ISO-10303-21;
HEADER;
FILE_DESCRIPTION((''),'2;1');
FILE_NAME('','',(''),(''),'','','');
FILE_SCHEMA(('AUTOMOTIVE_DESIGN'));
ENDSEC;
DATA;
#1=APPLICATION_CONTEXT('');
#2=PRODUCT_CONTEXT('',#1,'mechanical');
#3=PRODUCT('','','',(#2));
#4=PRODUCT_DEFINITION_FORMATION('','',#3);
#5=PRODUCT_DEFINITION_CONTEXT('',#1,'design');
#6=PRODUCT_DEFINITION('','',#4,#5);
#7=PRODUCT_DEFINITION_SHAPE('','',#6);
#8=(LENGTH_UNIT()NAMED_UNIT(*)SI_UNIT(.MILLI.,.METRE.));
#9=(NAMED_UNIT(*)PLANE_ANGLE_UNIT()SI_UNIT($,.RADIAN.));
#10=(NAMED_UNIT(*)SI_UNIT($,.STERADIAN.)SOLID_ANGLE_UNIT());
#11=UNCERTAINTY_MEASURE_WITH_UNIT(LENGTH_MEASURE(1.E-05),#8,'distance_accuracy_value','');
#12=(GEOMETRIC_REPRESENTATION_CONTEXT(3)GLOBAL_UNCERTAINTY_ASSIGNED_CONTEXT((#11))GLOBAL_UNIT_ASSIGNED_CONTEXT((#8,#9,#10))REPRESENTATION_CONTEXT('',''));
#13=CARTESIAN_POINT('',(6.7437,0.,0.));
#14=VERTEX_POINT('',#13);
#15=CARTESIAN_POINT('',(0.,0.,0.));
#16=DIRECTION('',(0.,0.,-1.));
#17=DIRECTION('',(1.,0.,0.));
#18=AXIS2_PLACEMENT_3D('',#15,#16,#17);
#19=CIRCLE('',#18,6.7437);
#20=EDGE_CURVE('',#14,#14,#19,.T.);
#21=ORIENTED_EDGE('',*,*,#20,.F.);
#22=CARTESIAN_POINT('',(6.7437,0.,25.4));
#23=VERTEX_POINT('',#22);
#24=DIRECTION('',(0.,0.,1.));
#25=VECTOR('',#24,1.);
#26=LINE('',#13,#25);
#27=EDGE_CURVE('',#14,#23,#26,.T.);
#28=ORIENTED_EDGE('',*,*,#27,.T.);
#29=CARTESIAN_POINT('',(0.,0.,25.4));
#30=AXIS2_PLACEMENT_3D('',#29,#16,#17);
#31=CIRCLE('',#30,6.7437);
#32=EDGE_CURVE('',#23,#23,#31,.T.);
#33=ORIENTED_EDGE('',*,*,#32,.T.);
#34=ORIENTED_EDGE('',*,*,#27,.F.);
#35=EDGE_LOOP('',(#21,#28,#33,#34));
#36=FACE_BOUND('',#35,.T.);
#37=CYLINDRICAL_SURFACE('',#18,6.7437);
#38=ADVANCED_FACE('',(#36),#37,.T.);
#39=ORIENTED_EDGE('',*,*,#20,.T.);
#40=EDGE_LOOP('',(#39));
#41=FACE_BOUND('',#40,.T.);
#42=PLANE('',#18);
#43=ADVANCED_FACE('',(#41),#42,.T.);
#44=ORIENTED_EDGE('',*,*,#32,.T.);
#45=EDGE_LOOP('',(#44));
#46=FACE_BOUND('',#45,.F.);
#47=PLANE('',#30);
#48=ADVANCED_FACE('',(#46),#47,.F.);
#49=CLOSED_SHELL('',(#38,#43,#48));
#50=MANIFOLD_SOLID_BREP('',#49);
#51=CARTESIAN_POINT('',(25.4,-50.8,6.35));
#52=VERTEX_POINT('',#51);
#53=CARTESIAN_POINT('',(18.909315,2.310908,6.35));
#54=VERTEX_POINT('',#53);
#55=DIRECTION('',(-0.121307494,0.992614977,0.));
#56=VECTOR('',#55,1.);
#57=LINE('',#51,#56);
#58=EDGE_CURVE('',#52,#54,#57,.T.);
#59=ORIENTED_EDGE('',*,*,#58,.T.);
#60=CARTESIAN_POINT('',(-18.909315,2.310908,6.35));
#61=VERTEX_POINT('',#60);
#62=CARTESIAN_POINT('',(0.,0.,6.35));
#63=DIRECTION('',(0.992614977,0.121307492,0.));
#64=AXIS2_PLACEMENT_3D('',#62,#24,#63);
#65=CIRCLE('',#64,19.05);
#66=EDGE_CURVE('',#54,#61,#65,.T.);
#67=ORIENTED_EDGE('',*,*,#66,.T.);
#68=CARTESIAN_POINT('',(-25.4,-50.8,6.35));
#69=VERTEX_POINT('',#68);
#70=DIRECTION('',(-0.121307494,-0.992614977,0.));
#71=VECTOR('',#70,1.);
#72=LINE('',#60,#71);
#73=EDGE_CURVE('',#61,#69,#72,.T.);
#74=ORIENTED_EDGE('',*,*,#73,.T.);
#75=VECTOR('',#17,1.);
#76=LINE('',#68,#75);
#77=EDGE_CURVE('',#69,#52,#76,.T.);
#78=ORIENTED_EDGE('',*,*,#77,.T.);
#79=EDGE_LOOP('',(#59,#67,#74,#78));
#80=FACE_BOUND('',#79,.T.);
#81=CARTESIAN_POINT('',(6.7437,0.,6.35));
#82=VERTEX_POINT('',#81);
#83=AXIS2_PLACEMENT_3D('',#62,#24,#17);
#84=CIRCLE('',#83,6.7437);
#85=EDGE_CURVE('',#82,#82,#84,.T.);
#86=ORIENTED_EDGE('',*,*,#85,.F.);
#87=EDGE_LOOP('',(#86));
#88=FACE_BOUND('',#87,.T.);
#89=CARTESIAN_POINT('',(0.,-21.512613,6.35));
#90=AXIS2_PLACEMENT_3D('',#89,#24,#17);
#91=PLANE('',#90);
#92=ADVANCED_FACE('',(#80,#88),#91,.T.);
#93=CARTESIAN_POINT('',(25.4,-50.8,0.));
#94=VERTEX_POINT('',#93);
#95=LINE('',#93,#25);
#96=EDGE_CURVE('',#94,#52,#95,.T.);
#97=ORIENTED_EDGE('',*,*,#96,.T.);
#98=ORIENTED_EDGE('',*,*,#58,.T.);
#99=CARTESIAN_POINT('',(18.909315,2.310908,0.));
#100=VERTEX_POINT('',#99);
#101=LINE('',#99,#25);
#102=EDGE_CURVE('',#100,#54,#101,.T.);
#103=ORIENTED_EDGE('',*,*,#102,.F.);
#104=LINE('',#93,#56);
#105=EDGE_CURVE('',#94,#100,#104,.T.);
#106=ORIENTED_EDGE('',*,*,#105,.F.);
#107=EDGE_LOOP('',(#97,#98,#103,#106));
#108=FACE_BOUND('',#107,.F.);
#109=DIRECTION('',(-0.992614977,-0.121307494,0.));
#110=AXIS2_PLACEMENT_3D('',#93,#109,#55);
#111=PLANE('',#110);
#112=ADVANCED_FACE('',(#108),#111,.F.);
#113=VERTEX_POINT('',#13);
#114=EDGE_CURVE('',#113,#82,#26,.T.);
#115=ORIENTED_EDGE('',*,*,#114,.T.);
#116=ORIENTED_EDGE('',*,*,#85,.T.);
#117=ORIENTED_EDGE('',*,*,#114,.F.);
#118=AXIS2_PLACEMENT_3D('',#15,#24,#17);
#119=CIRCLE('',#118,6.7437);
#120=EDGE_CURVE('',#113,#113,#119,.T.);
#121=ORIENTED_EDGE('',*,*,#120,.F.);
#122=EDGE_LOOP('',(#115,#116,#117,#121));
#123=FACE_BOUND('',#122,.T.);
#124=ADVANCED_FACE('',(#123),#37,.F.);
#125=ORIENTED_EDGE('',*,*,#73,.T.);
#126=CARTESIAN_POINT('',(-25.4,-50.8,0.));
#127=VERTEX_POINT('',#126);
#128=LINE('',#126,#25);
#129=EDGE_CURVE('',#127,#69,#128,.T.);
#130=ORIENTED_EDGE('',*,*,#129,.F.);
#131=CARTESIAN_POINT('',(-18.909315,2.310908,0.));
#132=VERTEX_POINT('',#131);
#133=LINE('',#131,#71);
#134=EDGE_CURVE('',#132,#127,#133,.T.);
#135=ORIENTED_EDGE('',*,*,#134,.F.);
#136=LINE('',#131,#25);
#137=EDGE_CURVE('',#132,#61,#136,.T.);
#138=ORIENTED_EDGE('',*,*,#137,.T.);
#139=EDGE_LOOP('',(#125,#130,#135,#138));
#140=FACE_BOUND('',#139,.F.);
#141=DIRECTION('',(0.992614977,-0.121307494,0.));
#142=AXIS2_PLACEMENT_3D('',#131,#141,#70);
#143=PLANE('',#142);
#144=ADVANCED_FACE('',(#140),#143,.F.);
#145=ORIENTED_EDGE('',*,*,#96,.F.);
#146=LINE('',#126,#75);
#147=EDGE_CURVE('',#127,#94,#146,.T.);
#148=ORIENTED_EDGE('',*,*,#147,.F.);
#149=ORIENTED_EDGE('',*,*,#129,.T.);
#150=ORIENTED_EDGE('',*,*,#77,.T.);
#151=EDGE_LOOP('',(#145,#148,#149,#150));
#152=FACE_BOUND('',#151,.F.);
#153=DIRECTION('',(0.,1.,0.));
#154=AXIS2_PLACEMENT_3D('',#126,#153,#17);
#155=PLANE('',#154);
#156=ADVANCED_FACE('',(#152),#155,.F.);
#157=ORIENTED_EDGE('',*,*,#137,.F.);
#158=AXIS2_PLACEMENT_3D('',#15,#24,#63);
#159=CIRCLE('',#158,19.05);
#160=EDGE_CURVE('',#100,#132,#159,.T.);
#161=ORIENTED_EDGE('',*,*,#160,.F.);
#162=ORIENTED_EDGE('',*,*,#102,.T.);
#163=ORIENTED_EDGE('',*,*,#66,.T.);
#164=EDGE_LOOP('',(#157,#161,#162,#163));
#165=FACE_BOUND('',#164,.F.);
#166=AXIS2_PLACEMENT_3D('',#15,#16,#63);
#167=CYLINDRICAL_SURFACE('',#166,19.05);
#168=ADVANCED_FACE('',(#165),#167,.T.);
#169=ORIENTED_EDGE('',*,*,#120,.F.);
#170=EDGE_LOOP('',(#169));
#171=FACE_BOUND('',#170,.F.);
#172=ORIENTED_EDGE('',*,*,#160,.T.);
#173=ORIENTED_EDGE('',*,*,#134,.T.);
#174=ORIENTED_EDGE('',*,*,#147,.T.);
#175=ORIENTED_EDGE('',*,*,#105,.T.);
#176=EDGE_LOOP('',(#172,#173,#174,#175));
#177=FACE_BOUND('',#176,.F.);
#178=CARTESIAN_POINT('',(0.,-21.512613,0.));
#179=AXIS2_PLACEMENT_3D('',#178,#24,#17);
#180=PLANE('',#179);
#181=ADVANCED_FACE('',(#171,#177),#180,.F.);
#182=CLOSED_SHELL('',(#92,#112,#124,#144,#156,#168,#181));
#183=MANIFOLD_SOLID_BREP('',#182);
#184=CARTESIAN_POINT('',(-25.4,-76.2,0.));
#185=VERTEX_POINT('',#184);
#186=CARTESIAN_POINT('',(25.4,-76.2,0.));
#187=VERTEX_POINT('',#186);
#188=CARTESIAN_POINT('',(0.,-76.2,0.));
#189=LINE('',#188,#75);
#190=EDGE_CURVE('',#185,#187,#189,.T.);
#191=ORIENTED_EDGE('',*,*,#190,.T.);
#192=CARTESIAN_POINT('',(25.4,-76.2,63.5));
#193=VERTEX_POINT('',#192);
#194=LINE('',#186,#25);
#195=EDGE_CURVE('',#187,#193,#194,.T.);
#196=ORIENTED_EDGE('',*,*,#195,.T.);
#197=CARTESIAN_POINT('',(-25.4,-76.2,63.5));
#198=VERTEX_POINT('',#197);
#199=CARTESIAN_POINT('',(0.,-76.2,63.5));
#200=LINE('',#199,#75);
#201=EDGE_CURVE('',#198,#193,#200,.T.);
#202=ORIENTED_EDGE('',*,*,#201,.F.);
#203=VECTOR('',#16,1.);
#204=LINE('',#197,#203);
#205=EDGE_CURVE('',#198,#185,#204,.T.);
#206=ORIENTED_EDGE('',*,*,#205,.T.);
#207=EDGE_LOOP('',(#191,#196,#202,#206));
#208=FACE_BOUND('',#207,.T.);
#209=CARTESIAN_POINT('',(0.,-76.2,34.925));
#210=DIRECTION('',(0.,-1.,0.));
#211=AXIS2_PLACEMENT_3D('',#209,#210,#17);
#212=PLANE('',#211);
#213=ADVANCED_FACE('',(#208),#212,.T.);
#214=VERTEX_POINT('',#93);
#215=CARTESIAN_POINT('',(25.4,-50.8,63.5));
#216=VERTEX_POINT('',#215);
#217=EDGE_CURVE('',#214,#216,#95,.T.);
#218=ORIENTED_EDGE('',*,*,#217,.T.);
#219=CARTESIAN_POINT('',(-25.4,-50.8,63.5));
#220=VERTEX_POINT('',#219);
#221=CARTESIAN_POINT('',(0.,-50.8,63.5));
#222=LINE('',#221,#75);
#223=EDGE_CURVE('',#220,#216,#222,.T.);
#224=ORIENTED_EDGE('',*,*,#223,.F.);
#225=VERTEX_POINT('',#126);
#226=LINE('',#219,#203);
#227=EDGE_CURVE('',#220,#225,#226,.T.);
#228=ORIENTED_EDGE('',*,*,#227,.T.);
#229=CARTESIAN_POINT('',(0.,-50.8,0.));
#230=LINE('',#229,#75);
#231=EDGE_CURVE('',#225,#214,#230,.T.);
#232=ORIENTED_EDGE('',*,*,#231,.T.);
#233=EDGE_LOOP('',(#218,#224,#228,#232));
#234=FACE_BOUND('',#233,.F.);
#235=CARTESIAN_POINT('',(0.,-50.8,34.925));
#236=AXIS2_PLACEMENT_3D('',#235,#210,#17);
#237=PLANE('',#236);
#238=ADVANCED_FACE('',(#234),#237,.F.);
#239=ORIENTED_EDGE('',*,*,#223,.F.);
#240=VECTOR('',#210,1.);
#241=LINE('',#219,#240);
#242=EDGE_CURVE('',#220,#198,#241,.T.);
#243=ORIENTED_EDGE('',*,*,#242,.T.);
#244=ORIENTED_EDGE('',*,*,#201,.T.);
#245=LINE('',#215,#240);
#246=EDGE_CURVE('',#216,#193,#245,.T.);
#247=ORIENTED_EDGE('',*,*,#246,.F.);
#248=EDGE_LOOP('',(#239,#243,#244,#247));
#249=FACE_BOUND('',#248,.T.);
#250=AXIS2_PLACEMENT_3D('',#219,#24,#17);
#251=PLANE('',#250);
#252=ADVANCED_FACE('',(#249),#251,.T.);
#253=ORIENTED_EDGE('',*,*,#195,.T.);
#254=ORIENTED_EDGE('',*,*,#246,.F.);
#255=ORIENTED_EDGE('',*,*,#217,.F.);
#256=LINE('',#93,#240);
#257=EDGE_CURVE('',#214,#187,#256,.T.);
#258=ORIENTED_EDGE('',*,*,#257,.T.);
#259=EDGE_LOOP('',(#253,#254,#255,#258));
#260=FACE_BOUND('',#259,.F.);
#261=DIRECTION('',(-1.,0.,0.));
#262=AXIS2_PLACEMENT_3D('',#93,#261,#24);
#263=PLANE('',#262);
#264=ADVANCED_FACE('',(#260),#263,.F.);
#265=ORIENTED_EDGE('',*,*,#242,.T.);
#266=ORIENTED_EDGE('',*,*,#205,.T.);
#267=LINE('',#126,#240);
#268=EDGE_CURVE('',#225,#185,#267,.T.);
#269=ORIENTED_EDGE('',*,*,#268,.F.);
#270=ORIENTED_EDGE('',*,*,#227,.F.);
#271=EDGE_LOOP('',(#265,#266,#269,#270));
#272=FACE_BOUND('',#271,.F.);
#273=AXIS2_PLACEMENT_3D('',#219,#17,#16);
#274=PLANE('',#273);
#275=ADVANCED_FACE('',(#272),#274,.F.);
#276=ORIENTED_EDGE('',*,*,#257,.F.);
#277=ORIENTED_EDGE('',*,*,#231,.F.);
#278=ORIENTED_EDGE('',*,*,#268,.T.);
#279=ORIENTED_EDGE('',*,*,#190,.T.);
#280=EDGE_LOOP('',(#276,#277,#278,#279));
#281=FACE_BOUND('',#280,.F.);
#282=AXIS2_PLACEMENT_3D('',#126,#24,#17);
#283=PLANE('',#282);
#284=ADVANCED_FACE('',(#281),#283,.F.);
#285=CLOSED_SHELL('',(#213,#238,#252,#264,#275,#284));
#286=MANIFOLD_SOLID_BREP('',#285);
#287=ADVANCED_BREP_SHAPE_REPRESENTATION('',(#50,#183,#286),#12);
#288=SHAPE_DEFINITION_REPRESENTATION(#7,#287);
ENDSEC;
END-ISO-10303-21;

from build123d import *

# Parameters (mm, degrees)
F0_R     = 6.7437
F1_DEPTH = 6.35
F2_W     = 50.8
F2_H     = 57.15
F2_H_2   = 6.35
F3_DEPTH = 25.4
F4_R     = 6.7437
F5_DEPTH = 25.4


with BuildPart() as f1:
    # F0 (on Top) → F1 (new body)
    with BuildSketch(Plane.XY):
        with BuildLine():
            Line((25.4, -50.8), (18.909315, 2.310908))
            ThreePointArc((18.909315, 2.310908), (0, 19.05), (-18.909315, 2.310908))
            Line((-18.909315, 2.310908), (-25.4, -50.8))
            Line((-25.4, -50.8), (25.4, -50.8))
        make_face()
        Circle(F0_R, mode=Mode.SUBTRACT)
    extrude(amount=F1_DEPTH)


with BuildPart() as f3:
    # F2 (on face) → F3 (new body)
    with BuildSketch(Plane.XZ.offset(50.8)):
        with Locations((0, 34.925)):
            Rectangle(F2_W, F2_H)
        with Locations((0, 3.175)):
            Rectangle(F2_W, F2_H_2)
    extrude(amount=F3_DEPTH)


with BuildPart() as f5:
    # F4 (on face) → F5 (new body)
    with BuildSketch(Plane(origin=(0, 0, 0), x_dir=(1, 0, 0), z_dir=(0, 0, -1))):
        Circle(F4_R)
    extrude(amount=-F5_DEPTH)


solid = Compound([f1.part, f3.part, f5.part])
